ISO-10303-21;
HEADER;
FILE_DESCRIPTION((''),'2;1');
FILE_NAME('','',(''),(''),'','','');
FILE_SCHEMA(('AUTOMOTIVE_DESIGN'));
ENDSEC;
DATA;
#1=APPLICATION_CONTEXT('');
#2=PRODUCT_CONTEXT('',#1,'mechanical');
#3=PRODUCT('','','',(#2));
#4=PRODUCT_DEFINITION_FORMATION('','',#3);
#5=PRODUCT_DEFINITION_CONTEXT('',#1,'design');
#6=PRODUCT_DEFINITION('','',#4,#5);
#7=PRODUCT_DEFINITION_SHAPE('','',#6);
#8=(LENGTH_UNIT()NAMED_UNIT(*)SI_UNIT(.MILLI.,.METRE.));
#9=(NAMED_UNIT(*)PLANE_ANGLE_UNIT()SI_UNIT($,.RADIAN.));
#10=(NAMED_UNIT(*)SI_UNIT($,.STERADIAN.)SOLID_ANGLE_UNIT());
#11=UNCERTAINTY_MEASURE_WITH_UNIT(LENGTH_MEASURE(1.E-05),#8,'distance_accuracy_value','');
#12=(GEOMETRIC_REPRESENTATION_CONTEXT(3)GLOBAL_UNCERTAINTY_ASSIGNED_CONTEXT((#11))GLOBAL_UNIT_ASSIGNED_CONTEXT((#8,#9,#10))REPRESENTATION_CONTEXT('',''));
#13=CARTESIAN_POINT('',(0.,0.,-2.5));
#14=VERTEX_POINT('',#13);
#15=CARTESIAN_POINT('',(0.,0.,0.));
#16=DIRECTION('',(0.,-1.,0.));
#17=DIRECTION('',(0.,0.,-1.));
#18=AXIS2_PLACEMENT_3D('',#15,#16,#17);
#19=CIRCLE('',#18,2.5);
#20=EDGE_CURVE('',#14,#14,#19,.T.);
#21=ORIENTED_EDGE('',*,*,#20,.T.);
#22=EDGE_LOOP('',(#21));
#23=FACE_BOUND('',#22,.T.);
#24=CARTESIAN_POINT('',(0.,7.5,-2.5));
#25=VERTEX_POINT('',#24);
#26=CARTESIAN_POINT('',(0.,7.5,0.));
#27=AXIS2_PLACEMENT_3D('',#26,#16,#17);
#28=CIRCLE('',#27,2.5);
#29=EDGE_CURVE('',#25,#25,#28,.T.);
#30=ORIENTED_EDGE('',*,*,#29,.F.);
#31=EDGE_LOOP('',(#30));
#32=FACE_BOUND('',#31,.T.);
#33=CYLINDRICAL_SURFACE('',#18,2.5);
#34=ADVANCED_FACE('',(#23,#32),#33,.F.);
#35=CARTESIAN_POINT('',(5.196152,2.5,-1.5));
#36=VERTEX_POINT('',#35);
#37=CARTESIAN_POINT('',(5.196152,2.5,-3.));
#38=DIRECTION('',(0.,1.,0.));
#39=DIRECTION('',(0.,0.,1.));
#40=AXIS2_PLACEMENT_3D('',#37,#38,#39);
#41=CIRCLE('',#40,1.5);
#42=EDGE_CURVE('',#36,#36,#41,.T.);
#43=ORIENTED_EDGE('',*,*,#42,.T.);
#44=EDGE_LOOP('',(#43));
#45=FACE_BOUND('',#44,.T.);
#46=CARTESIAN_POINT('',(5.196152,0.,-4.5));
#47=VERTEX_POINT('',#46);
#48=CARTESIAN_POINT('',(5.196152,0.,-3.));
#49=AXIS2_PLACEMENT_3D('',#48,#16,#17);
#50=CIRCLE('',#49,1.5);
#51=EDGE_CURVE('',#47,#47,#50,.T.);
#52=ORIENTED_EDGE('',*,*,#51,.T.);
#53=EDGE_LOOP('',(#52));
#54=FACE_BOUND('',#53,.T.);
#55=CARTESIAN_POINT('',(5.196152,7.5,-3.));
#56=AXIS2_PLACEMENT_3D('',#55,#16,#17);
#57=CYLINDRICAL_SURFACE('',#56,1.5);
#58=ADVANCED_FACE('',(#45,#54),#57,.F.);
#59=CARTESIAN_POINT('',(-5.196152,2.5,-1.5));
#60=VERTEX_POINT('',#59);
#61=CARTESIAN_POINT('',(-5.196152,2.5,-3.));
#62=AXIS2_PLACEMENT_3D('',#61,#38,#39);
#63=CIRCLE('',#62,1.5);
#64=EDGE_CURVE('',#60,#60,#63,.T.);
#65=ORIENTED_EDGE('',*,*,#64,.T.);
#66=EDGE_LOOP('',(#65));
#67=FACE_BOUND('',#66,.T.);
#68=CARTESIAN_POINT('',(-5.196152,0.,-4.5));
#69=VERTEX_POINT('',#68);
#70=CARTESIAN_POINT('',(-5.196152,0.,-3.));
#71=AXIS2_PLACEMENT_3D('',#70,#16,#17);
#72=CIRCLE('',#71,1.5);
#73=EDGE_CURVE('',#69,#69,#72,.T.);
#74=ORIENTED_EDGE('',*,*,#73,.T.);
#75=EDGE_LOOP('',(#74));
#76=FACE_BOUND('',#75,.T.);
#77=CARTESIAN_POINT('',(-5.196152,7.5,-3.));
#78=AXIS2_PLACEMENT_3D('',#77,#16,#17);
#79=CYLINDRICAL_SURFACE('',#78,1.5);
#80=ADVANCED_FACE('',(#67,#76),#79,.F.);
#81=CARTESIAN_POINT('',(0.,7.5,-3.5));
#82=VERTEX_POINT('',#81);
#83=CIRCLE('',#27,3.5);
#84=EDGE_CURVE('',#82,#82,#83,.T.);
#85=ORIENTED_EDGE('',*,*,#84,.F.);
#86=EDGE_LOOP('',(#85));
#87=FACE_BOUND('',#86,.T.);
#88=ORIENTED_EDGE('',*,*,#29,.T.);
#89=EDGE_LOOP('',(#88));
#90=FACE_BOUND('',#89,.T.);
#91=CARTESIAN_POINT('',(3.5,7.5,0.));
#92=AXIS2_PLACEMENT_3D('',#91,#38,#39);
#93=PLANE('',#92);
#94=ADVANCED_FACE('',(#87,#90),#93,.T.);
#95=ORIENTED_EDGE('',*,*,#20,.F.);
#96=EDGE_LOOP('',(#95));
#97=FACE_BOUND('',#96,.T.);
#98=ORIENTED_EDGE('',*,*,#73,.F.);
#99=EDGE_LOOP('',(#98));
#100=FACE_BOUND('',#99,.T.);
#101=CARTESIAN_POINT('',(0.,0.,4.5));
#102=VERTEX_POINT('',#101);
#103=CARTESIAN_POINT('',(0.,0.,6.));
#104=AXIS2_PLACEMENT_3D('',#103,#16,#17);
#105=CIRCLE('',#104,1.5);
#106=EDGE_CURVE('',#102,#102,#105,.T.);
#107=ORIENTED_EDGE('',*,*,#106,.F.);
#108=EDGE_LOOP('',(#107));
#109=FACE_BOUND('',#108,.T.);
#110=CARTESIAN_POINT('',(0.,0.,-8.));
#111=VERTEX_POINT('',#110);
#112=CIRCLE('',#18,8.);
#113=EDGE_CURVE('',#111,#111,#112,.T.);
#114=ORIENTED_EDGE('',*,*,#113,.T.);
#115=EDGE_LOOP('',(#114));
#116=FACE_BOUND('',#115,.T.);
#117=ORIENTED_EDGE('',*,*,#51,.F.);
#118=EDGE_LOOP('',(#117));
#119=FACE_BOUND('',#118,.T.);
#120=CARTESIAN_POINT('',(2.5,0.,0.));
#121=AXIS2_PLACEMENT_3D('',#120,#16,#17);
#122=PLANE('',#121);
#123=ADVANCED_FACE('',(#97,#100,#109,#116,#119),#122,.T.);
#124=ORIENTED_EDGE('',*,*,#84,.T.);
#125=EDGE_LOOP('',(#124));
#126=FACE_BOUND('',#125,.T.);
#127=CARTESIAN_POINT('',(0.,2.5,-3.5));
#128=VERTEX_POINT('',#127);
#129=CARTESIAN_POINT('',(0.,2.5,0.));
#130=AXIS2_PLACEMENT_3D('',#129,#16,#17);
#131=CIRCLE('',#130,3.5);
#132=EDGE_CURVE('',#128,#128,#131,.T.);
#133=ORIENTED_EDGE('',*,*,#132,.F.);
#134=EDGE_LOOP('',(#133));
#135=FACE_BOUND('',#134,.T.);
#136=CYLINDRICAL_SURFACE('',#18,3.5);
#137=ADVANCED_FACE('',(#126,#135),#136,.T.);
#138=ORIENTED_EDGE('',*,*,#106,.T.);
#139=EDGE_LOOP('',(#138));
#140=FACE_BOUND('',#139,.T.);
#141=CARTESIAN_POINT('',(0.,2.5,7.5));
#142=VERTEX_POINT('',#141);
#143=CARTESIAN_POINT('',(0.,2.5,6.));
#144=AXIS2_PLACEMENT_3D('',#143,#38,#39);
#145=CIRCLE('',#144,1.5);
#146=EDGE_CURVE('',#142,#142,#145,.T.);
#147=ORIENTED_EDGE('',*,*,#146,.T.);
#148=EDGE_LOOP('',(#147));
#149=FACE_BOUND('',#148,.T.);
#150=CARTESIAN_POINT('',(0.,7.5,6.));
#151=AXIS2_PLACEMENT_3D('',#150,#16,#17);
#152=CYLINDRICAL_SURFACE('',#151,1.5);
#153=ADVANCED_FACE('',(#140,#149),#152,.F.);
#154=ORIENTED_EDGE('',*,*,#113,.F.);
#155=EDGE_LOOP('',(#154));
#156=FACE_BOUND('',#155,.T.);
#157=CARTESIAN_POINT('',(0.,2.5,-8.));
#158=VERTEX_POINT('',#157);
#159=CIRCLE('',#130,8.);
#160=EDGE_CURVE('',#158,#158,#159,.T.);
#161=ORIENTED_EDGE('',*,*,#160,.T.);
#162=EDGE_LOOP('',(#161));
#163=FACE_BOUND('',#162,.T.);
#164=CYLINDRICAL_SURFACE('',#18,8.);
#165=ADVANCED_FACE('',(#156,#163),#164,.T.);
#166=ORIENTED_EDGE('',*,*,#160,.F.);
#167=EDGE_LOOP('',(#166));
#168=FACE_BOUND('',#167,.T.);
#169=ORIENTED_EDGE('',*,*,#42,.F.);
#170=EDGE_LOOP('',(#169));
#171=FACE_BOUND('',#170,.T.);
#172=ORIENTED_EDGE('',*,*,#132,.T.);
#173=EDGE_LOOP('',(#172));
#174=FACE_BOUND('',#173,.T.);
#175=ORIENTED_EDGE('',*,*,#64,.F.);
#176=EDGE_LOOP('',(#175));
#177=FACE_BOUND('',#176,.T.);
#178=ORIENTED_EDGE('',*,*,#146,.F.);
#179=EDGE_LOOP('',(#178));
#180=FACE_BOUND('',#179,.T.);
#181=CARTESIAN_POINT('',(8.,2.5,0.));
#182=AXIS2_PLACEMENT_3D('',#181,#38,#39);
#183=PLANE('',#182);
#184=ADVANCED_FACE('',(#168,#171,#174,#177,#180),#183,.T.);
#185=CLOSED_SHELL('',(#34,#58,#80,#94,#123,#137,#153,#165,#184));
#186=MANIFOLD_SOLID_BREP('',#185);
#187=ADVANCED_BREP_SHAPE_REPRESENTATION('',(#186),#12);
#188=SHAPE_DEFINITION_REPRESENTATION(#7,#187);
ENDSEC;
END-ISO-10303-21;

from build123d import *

# Parameters (mm, degrees)
ESQUISSE2_R             = 1.5
ENL_V_MAT_EXTRU_1_DEPTH = 14.57387196


with BuildPart() as part:
    # Esquisse1 → Révolution1 (revolve)
    with BuildSketch(Plane.XY, mode=Mode.PRIVATE) as r_volution1_sk:
        Polygon((2.5, 0), (8, 0), (8, 2.5), (3.5, 2.5), (3.5, 7.5), (2.5, 7.5), align=None)
    revolve(r_volution1_sk.sketch.rotate(Axis((0, 0, 0), (0, 1, 0)), 90), axis=Axis((0, 0, 0), (0, 1, 0)))

    # Esquisse2 → Enlèv. mat.-Extru.1 (cut, through all)
    with BuildSketch(Plane.XZ):
        with Locations(Location((0, 6, 0), (0, 0, 270))):
            Circle(ESQUISSE2_R)
        with Locations(Location((5.196152423, -3, 0), (0, 0, 270))):
            Circle(ESQUISSE2_R)
        with Locations(Location((-5.196152423, -3, 0), (0, 0, 270))):
            Circle(ESQUISSE2_R)
    extrude(amount=-ENL_V_MAT_EXTRU_1_DEPTH, mode=Mode.SUBTRACT)


solid = part.part
